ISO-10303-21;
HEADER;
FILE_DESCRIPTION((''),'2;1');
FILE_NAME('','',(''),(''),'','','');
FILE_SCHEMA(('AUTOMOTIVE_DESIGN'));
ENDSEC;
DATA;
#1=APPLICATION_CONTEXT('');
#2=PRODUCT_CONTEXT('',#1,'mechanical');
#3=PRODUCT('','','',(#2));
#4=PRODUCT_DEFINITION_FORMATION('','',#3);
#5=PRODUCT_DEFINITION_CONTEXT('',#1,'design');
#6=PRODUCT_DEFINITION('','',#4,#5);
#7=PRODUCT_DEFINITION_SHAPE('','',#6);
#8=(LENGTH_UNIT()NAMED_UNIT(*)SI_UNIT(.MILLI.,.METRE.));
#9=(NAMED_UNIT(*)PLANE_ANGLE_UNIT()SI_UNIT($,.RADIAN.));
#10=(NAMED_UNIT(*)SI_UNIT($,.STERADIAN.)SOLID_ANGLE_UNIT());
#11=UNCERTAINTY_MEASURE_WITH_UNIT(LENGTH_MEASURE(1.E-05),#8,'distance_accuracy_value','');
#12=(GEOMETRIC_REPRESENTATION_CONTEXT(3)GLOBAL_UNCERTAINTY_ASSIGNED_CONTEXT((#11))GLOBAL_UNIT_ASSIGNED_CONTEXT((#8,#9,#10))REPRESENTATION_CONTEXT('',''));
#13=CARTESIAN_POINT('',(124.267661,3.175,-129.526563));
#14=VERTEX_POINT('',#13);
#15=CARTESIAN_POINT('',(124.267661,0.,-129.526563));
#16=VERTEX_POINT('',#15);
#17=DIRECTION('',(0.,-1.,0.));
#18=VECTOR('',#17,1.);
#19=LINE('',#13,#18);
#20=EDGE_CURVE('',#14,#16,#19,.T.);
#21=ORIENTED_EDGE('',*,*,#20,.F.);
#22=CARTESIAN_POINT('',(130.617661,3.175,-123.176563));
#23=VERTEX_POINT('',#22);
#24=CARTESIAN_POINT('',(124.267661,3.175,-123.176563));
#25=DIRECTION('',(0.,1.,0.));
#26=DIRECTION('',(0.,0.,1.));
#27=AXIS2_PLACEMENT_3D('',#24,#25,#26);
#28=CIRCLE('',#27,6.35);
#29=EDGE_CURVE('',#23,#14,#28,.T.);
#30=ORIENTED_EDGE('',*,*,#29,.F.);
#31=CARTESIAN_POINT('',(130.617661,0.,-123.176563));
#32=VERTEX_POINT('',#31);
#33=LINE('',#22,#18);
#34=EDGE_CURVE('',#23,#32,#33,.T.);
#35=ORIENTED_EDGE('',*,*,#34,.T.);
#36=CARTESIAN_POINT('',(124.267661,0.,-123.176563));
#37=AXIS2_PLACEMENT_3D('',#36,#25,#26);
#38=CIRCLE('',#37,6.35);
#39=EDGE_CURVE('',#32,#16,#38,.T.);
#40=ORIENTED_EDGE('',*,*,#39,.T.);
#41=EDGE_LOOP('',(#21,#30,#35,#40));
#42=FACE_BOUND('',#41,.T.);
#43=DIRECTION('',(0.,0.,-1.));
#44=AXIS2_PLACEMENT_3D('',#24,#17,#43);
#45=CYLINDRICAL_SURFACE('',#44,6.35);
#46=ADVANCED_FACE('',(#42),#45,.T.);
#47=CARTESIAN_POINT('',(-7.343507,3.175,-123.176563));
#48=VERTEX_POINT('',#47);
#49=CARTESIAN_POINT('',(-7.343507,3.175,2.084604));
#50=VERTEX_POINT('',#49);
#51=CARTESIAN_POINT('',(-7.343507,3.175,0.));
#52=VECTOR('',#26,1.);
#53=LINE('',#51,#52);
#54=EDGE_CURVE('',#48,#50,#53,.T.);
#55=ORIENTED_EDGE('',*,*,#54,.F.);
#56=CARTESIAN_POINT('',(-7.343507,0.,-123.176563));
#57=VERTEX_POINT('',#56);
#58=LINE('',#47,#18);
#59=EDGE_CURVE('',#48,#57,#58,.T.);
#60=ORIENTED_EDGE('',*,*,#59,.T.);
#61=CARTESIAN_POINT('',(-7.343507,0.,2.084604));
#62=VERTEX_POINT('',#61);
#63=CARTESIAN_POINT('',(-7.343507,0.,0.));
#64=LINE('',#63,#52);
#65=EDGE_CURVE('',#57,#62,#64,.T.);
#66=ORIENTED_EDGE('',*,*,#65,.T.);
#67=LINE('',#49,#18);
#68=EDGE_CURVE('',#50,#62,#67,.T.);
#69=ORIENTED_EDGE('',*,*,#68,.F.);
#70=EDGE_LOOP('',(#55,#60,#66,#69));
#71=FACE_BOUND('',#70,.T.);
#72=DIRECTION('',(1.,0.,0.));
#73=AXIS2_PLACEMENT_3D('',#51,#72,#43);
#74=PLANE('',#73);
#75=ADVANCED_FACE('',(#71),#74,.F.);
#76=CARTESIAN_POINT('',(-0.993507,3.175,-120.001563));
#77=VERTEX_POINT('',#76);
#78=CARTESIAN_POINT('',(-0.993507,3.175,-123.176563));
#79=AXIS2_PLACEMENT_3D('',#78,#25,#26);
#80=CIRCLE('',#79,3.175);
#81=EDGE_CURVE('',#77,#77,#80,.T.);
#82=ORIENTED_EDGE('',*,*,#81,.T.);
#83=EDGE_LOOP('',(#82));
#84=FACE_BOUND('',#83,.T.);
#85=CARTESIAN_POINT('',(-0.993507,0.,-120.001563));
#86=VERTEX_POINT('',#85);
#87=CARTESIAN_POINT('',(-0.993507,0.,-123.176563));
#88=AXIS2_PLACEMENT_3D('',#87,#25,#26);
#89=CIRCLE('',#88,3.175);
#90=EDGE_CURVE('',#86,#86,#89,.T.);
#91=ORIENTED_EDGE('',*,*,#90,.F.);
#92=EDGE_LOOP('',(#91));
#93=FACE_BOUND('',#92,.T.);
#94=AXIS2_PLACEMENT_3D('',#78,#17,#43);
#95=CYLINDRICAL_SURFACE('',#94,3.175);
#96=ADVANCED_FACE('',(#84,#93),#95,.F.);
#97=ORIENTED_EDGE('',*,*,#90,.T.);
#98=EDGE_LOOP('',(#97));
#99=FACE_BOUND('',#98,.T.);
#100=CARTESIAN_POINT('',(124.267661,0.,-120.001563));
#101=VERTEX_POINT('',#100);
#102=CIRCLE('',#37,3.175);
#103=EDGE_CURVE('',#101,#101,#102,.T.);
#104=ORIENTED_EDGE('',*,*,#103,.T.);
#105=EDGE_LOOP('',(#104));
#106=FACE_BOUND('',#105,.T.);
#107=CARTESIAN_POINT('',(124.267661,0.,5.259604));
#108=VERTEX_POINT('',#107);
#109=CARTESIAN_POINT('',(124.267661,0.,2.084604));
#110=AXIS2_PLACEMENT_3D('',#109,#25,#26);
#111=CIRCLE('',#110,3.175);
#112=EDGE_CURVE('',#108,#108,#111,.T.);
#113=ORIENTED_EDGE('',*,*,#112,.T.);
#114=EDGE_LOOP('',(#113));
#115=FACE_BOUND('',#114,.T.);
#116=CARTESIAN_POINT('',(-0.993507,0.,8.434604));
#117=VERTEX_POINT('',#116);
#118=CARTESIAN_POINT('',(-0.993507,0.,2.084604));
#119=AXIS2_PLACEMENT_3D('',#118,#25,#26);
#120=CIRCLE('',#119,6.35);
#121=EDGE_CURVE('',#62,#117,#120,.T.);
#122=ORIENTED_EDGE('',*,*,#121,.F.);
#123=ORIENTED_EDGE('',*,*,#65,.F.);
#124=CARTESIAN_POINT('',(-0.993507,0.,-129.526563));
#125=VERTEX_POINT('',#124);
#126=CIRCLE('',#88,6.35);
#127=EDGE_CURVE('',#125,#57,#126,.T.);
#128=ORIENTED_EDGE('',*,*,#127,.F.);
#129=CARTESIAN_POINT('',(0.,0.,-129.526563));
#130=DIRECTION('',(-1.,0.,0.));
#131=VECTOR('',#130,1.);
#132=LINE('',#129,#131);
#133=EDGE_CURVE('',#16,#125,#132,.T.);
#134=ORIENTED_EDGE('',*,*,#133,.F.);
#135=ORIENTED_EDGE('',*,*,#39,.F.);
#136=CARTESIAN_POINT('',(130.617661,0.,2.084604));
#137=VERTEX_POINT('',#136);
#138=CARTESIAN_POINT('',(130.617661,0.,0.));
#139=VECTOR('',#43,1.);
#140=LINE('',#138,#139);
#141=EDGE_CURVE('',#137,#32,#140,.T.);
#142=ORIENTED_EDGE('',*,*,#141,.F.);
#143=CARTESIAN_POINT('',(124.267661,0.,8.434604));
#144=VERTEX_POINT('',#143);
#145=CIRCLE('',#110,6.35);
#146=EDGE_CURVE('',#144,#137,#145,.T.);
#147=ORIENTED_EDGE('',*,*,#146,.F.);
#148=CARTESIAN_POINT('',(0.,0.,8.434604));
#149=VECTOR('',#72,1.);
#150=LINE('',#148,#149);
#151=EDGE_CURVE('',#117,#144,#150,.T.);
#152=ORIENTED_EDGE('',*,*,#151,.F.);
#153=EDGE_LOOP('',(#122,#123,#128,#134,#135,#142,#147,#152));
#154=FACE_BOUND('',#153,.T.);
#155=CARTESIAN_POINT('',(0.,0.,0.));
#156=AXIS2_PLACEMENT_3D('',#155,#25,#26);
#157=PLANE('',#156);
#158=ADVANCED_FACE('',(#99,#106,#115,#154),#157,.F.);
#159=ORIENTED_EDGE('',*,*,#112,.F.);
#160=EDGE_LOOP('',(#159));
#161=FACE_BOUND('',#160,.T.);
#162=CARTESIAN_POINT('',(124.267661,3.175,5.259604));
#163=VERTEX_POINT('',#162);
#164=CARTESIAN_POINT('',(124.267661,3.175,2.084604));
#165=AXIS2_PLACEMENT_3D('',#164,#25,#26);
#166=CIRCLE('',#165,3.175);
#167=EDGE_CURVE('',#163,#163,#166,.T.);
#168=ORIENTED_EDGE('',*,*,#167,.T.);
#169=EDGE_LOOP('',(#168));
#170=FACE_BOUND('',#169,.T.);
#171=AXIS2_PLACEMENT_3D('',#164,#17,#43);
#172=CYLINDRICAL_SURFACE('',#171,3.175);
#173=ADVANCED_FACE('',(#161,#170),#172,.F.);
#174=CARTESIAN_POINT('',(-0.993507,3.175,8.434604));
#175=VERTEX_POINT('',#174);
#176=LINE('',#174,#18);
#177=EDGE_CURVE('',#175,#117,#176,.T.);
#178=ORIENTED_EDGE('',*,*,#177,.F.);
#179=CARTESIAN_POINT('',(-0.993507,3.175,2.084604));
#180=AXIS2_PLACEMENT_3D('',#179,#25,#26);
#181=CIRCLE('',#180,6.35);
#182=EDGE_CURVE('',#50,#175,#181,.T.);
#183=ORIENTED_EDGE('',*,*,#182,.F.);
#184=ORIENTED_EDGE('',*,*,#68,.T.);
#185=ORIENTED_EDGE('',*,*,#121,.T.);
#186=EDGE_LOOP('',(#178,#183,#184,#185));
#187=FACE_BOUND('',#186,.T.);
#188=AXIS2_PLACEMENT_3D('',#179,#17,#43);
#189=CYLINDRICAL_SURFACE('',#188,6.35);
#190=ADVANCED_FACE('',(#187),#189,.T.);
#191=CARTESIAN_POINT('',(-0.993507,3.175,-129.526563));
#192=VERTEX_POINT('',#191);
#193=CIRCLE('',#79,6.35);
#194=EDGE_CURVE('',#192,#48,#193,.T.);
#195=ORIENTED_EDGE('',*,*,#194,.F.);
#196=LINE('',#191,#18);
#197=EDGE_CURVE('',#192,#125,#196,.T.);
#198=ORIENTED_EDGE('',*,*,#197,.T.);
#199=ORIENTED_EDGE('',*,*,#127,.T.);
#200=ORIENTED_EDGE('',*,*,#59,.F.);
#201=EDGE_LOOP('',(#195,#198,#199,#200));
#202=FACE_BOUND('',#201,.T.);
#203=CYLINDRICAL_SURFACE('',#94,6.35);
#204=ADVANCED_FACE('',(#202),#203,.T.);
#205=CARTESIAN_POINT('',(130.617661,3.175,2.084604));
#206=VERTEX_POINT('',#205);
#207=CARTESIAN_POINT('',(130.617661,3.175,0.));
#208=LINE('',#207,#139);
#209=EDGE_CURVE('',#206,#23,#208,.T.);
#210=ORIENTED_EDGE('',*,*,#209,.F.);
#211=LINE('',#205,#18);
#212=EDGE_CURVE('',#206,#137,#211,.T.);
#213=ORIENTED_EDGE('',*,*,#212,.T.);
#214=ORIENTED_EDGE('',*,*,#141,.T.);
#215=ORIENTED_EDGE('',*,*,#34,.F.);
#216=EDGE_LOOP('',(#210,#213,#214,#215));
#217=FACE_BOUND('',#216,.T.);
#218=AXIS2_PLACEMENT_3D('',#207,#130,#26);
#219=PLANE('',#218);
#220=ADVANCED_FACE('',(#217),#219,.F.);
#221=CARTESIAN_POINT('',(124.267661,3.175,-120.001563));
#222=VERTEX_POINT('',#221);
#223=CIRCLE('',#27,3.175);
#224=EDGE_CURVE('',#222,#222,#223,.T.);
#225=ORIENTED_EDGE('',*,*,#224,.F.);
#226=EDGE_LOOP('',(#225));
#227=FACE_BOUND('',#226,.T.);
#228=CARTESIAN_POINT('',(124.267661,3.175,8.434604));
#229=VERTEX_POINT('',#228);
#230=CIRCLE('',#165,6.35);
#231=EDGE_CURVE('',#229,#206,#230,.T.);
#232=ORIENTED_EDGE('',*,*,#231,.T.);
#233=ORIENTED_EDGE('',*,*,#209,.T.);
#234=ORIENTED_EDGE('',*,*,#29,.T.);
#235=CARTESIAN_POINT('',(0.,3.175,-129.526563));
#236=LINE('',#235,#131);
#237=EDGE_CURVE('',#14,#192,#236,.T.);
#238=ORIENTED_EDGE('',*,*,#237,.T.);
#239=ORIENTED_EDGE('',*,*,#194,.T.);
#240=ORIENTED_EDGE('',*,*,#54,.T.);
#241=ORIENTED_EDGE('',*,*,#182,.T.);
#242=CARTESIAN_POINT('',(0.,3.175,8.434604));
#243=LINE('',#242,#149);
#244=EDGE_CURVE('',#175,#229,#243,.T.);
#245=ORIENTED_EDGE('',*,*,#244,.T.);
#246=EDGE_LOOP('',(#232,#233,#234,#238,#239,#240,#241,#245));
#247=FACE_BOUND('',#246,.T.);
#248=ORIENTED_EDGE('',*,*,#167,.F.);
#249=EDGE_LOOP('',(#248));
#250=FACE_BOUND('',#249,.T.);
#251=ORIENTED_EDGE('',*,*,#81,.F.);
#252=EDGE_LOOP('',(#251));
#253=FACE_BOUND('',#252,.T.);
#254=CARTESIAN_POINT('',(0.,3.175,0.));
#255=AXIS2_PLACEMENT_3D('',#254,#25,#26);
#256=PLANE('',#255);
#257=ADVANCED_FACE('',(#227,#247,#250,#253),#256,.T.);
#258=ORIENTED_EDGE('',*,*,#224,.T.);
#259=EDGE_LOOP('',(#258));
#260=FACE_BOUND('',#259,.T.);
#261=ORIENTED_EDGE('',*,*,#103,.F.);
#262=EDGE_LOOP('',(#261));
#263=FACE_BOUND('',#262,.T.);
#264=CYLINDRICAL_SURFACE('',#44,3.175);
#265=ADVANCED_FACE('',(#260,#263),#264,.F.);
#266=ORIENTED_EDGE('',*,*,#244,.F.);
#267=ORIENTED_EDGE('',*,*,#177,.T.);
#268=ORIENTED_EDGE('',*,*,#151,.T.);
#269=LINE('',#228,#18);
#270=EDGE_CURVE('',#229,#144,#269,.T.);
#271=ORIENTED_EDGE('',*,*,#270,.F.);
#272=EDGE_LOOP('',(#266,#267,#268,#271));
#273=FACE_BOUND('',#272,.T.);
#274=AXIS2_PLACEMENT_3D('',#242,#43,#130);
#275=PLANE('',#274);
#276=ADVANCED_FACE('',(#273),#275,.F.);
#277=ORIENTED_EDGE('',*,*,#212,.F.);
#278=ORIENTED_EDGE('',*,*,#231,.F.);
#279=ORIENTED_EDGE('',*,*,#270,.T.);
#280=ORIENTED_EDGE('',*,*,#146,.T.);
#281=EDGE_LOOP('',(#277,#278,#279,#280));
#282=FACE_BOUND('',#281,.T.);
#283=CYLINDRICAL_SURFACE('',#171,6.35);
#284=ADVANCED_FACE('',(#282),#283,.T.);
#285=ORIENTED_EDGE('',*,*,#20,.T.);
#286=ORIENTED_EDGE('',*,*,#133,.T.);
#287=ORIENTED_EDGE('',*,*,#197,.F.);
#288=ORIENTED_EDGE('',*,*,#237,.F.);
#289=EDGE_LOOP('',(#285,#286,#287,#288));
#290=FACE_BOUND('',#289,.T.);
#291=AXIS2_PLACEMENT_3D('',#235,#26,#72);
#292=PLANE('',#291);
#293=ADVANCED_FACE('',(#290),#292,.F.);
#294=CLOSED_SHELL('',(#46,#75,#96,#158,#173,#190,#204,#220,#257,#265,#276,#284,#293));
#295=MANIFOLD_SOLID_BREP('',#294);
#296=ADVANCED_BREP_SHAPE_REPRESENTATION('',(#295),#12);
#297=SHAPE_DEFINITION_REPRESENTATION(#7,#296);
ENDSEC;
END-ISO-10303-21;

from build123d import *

# Parameters (mm, degrees)
SKETCH1_R           = 3.175
BOSS_EXTRUDE1_DEPTH = 3.175


with BuildPart() as part:
    # Sketch1 → Boss-Extrude1 (new body)
    with BuildSketch(Plane(origin=(0, 0, 0), x_dir=(1, 0, 0), z_dir=(0, 1, 0))):
        with BuildLine():
            Line((-0.993506611, -8.434604242), (124.267660571, -8.434604242))
            ThreePointArc((124.267660571, -8.434604242), (128.757788632, -6.574732303), (130.617660571, -2.084604242))
            Line((130.617660571, -2.084604242), (130.617660571, 123.176562941))
            ThreePointArc((130.617660571, 123.176562941), (128.757788632, 127.666691001), (124.267660571, 129.526562941))
            Line((124.267660571, 129.526562941), (-0.993506611, 129.526562941))
            ThreePointArc((-0.993506611, 129.526562941), (-5.483634672, 127.666691001), (-7.343506611, 123.176562941))
            Line((-7.343506611, 123.176562941), (-7.343506611, -2.084604242))
            ThreePointArc((-7.343506611, -2.084604242), (-5.483634672, -6.574732303), (-0.993506611, -8.434604242))
        make_face()
        with Locations(Location((124.267660571, -2.084604242, 0), (0, 0, 270))):
            Circle(SKETCH1_R, mode=Mode.SUBTRACT)
        with Locations(Location((124.267660571, 123.176562941, 0), (0, 0, 270))):
            Circle(SKETCH1_R, mode=Mode.SUBTRACT)
        with Locations(Location((-0.993506611, 123.176562941, 0), (0, 0, 270))):
            Circle(SKETCH1_R, mode=Mode.SUBTRACT)
        with BuildLine():
            Line((20.247476788, 4.265395758), (117.917660571, 4.265395758))
            Line((117.917660571, 4.265395758), (117.917660571, 116.826562941))
            Line((117.917660571, 116.826562941), (5.356493389, 116.826562941))
            Line((5.356493389, 116.826562941), (5.356493389, 50.943180056))
            ThreePointArc((5.356493389, 50.943180056), (3.835119849, 46.819241828), (0, 44.671382498))
            Line((0, 44.671382498), (0, 0))
            Line((0, 0), (14.2494, 0))
            ThreePointArc((14.2494, 0), (16.56744533, 3.090322663), (20.247476788, 4.265395758))
        make_face(mode=Mode.SUBTRACT)
        with BuildLine():
            ThreePointArc((20.247476788, 4.265395758), (16.56744533, 3.090322663), (14.2494, 0))
            Line((14.2494, 0), (0, 0))
            Line((0, 0), (0, 44.671382498))
            ThreePointArc((0, 44.671382498), (3.835119849, 46.819241828), (5.356493389, 50.943180056))
            Line((5.356493389, 50.943180056), (5.356493389, 116.826562941))
            Line((5.356493389, 116.826562941), (117.917660571, 116.826562941))
            Line((117.917660571, 116.826562941), (117.917660571, 4.265395758))
            Line((117.917660571, 4.265395758), (20.247476788, 4.265395758))
        make_face()
    extrude(amount=BOSS_EXTRUDE1_DEPTH)


solid = part.part
